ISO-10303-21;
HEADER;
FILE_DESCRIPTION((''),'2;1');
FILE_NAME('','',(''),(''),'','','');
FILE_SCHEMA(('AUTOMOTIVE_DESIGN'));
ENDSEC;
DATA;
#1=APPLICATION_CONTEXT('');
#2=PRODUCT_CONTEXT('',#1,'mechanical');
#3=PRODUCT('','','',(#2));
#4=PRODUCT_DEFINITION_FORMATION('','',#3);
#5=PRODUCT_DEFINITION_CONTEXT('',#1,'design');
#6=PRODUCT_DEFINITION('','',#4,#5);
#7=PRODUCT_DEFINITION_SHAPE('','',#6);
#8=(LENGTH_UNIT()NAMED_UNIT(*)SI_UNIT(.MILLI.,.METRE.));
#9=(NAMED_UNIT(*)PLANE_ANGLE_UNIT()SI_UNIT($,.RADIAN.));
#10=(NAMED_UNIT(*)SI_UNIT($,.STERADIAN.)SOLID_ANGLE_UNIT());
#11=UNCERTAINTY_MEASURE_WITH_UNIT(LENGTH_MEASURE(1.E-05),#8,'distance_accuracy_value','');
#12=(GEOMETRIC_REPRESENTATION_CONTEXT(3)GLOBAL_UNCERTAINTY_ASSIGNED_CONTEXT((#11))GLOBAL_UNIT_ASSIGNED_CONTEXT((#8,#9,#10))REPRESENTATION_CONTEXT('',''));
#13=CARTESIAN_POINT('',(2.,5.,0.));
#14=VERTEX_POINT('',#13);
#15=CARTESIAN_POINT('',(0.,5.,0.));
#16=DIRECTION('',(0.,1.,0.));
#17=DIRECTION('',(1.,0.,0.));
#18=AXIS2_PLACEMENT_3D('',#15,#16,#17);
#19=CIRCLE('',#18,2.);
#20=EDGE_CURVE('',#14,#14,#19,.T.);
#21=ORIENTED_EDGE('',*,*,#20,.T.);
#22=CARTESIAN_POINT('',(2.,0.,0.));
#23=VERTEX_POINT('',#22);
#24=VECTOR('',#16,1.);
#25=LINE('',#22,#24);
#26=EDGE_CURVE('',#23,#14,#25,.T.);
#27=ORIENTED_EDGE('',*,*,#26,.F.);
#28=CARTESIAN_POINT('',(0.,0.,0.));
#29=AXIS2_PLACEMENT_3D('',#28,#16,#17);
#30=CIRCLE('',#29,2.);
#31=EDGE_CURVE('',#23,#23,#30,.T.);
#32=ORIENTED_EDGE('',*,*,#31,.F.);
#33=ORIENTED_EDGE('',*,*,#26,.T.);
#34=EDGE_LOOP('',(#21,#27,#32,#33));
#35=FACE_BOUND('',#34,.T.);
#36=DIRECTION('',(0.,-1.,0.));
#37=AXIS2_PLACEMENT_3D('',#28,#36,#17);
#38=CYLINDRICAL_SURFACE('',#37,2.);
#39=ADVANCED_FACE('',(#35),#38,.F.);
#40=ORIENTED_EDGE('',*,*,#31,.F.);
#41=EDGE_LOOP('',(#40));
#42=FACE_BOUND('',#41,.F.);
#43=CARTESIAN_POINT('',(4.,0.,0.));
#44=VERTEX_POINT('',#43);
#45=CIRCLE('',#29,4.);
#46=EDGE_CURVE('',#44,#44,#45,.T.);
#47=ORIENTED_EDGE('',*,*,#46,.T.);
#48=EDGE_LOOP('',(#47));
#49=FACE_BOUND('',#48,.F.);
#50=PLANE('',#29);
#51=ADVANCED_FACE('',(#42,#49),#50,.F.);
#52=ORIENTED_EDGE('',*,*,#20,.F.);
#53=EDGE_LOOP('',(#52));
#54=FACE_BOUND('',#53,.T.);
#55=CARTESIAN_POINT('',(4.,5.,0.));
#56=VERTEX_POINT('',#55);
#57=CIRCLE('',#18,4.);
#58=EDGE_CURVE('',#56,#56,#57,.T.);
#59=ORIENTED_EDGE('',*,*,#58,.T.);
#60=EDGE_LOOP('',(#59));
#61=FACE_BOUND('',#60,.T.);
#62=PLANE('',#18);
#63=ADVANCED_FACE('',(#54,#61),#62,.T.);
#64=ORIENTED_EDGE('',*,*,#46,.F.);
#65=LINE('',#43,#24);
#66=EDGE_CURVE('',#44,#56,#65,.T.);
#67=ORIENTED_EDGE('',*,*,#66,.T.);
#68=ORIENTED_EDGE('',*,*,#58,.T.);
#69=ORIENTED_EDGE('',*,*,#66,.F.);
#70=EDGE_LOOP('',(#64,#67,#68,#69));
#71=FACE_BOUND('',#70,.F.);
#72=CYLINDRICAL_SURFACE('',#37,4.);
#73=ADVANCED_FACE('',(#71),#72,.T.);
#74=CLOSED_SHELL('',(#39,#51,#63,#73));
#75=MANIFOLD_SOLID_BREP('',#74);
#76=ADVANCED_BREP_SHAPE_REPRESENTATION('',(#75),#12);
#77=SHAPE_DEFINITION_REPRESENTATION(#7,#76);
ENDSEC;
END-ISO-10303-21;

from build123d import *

# Parameters (mm, degrees)
SKETCH_1_R      = 4
SKETCH_1_R_2    = 2
EXTRUDE_1_DEPTH = 5


with BuildPart() as part:
    # 草图1 → 凸台-拉伸1 (new body)
    with BuildSketch(Plane(origin=(0, 0, 0), x_dir=(1, 0, 0), z_dir=(0, 1, 0))):
        Circle(SKETCH_1_R)
        Circle(SKETCH_1_R_2, mode=Mode.SUBTRACT)
    extrude(amount=EXTRUDE_1_DEPTH)


solid = part.part
